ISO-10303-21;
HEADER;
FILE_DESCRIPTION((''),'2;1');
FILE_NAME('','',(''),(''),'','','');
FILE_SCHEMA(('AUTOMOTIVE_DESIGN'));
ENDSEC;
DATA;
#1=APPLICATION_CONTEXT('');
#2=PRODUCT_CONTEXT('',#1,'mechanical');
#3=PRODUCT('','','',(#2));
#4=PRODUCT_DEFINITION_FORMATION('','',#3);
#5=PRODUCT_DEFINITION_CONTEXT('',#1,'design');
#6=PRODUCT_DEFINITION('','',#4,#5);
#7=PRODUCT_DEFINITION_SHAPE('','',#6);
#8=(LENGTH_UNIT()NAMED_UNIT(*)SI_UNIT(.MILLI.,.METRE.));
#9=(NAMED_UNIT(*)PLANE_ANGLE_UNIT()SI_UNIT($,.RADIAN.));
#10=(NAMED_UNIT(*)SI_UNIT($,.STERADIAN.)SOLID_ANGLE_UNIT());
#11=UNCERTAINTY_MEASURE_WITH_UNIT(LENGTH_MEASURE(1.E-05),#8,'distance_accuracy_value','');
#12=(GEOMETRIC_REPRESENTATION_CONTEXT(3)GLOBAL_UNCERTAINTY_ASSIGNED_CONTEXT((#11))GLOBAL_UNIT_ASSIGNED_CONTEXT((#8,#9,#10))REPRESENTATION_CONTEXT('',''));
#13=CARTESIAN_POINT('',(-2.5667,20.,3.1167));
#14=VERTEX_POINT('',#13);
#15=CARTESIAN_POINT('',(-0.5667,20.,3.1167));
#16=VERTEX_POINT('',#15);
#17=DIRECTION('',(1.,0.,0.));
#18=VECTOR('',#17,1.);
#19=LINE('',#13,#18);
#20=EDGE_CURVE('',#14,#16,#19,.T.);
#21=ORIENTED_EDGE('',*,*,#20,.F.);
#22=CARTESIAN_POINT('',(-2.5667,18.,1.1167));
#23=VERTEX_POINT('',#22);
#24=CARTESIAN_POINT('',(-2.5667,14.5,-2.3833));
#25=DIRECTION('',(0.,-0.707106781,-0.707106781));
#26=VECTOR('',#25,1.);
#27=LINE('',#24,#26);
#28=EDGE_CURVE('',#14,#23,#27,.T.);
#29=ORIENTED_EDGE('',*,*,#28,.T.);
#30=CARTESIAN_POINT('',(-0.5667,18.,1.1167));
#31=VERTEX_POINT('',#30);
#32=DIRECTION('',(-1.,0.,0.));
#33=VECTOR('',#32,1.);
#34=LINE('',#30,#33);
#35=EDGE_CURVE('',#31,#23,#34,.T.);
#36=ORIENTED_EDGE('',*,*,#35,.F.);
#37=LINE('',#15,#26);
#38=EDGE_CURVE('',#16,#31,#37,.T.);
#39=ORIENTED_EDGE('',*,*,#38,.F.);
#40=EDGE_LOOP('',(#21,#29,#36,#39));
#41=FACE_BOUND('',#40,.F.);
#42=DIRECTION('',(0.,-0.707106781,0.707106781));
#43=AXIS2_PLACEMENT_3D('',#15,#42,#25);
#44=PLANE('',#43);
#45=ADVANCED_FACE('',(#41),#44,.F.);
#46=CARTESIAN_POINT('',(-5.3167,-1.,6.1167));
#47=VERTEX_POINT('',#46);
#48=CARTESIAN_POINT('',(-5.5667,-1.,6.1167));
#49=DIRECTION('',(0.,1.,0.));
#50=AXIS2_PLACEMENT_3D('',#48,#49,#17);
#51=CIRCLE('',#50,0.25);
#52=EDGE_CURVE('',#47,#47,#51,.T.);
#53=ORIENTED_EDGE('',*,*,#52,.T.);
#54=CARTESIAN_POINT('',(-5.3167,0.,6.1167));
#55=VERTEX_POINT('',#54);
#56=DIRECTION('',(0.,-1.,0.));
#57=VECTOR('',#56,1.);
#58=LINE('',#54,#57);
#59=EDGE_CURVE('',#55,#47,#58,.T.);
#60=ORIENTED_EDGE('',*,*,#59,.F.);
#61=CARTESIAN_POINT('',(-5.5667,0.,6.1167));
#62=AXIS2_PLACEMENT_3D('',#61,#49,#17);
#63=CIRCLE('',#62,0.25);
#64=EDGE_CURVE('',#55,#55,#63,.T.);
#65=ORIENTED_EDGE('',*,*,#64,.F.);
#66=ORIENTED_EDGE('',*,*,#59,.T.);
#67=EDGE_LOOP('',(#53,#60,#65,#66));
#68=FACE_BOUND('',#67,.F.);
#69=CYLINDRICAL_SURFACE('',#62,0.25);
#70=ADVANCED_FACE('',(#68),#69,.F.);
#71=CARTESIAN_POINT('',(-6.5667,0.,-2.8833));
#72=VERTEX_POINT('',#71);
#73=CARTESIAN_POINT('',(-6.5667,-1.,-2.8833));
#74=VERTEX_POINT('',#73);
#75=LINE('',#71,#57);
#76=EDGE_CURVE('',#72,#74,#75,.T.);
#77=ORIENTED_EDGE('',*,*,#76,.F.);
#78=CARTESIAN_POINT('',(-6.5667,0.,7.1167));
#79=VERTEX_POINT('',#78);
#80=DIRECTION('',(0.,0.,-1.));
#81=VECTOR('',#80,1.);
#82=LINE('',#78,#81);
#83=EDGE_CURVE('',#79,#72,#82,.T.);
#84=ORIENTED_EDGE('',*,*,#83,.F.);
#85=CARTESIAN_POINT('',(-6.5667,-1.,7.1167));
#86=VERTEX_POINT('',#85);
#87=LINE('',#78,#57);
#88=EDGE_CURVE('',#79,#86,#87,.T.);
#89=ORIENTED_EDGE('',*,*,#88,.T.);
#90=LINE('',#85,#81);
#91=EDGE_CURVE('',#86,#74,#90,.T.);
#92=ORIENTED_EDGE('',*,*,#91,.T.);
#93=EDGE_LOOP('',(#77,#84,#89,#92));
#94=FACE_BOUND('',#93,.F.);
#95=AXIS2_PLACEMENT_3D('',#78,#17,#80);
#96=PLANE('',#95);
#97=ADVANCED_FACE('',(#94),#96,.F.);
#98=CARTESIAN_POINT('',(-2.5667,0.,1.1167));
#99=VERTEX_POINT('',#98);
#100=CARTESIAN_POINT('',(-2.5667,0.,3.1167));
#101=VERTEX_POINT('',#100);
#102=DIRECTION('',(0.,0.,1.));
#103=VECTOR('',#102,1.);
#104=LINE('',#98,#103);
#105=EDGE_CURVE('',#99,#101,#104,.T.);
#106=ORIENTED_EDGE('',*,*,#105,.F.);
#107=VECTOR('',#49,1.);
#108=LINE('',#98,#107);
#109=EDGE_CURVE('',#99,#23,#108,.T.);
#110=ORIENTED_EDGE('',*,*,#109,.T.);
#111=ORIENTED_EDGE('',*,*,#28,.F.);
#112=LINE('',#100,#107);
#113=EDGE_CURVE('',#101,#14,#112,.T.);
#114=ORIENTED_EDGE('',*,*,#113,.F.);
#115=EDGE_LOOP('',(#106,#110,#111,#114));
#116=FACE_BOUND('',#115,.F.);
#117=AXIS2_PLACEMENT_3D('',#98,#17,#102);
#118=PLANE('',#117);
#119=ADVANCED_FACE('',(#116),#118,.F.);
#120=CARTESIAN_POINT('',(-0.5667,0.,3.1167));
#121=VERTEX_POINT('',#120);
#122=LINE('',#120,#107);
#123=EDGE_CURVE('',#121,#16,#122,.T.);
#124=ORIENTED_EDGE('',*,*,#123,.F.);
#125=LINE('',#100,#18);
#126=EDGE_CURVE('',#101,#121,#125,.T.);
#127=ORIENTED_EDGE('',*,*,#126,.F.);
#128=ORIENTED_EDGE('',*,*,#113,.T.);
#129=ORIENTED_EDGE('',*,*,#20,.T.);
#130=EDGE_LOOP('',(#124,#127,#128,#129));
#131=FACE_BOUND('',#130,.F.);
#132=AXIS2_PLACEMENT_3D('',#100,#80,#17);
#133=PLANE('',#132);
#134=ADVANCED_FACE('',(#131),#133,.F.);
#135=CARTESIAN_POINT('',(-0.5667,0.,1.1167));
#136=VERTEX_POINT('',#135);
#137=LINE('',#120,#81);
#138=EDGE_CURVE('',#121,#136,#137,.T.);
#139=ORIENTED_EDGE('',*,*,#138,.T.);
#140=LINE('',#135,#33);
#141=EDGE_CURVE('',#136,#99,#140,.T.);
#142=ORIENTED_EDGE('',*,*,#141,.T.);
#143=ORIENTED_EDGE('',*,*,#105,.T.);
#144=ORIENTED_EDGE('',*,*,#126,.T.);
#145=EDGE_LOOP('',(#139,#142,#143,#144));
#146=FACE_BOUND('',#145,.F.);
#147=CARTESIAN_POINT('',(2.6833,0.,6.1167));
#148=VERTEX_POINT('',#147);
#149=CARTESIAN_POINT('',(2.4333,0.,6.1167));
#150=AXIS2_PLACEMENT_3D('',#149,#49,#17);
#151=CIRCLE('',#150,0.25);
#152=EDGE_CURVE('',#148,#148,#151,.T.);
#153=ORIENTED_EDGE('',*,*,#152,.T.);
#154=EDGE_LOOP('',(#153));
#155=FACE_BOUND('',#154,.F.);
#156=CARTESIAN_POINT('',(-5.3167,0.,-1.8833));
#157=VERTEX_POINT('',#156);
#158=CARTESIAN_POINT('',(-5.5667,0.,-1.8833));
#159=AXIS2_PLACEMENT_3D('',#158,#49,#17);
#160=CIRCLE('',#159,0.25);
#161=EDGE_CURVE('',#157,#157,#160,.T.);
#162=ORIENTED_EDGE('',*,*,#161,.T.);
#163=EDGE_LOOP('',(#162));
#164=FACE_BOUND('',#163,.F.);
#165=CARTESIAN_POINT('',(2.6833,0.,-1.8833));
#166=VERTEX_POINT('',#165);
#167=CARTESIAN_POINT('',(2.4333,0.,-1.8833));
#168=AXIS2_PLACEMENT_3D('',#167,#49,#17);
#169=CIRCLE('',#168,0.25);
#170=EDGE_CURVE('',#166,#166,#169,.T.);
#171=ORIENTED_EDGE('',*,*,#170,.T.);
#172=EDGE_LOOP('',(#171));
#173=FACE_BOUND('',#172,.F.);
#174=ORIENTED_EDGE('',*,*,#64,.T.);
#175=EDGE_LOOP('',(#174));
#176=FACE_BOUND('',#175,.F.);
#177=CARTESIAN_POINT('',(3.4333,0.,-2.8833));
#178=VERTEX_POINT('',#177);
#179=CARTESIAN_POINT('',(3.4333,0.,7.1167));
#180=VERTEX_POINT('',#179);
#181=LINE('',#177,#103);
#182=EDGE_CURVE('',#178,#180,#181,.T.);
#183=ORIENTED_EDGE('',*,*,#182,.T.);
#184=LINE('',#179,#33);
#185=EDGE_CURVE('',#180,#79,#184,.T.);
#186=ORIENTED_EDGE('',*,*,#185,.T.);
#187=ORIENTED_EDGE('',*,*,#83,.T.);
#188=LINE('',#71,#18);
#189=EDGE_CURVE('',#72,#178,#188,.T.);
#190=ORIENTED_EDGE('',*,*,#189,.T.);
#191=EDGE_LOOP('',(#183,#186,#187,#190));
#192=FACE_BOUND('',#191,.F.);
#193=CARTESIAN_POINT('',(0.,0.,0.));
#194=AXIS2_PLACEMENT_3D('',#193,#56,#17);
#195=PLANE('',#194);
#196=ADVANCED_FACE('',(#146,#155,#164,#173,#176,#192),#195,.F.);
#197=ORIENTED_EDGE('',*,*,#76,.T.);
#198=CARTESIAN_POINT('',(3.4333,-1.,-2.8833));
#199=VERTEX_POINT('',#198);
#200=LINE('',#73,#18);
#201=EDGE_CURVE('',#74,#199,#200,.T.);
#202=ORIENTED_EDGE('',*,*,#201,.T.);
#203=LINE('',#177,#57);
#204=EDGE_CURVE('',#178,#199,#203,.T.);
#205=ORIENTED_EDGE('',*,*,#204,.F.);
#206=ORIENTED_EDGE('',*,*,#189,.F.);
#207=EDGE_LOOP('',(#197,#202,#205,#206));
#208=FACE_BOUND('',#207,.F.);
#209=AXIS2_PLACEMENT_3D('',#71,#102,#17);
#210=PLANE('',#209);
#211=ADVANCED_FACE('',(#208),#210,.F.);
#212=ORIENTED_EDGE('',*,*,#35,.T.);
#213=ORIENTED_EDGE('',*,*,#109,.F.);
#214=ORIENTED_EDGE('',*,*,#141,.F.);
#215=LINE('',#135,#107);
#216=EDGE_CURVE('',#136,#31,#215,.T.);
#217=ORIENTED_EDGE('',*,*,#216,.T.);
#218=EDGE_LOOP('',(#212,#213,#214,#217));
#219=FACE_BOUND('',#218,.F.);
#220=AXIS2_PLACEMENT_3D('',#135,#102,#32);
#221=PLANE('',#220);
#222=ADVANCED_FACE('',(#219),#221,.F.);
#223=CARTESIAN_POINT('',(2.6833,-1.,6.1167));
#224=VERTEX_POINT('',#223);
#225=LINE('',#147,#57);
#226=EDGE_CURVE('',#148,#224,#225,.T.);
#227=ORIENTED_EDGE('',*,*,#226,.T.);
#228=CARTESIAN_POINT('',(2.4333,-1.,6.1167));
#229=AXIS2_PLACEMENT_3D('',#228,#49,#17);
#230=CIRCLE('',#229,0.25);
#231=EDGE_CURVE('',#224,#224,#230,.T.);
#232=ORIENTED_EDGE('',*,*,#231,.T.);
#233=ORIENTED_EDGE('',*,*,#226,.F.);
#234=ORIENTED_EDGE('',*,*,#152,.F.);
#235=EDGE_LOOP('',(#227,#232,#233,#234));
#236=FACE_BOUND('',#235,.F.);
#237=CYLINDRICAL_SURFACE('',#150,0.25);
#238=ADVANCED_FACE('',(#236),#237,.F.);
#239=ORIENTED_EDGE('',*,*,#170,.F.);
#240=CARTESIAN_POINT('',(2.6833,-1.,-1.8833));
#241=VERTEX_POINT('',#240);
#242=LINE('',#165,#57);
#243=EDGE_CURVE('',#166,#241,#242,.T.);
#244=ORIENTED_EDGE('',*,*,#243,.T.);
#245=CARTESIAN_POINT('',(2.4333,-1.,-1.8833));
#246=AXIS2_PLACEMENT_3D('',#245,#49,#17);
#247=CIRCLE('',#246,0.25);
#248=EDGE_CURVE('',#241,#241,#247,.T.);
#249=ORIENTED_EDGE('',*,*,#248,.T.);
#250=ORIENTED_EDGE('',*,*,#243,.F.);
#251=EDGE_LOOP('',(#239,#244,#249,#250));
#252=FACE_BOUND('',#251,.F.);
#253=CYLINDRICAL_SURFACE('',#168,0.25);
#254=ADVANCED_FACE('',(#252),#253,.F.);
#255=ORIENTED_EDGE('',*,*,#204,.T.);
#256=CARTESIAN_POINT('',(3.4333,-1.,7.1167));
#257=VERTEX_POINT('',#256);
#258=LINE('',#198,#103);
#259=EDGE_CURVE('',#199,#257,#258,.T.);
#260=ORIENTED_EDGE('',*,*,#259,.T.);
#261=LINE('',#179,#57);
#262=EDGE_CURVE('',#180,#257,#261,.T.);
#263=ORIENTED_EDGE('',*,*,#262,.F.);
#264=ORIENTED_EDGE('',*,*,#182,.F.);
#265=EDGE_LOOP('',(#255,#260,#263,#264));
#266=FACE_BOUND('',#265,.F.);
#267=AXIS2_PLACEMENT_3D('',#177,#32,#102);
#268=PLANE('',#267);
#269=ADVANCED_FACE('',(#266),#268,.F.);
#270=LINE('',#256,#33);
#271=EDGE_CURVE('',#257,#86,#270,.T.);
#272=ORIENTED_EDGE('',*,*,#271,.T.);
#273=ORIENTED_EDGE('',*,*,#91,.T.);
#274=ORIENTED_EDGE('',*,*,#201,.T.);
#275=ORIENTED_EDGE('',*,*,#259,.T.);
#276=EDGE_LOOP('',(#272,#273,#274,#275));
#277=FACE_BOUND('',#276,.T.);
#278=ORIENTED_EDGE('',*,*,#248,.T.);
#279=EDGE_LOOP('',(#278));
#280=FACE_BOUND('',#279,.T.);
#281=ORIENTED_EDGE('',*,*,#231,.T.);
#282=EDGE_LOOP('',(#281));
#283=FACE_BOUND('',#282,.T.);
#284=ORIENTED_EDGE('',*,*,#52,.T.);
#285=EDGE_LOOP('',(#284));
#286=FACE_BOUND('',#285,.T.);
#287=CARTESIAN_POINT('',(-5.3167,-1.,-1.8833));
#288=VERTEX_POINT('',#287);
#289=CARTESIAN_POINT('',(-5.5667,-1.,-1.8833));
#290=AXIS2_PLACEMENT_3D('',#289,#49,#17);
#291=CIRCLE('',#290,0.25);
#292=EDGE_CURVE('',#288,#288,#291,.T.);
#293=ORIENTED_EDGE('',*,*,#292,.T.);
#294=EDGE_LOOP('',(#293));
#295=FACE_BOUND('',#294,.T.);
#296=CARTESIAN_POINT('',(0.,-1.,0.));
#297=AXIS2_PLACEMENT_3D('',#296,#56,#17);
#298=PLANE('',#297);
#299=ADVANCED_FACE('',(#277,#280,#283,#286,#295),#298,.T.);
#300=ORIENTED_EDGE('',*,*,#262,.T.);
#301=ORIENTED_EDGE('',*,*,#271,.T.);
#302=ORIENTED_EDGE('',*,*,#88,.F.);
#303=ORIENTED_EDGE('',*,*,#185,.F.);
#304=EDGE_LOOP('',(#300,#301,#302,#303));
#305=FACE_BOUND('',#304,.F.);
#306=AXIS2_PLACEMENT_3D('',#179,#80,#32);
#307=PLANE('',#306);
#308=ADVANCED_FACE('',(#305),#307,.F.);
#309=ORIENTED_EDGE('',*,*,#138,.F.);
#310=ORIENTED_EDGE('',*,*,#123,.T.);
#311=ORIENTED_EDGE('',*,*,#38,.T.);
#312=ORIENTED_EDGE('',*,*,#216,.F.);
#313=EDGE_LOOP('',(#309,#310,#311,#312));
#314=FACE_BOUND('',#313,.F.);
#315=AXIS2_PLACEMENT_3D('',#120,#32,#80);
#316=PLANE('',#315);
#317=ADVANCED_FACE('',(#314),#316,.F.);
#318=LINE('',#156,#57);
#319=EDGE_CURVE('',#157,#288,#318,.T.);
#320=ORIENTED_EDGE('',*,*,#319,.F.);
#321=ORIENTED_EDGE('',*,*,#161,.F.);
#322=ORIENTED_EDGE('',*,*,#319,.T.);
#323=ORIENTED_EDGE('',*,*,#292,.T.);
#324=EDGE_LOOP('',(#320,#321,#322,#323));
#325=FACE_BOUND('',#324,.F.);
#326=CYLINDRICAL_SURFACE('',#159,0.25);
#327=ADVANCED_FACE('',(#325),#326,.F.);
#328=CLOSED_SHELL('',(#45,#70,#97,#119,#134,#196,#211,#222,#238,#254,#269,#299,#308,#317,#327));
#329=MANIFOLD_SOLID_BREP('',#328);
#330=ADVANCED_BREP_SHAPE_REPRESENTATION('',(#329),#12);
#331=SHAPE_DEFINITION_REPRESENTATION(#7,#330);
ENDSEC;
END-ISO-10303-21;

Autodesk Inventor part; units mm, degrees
ref_plane "YZ Plane" through (0, 0, 0) normal (1, 0, 0) x (0, 1, 0)
ref_plane "XZ Plane" through (0, 0, 0) normal (0, 1, 0) x (-1, 0, 0)
ref_plane "XY Plane" through (0, 0, 0) normal (0, 0, 1) x (1, 0, 0)
sketch "Sketch2" plane through (0, 0, 0) normal (0, 1, 0) x (-1, 0, 0)
  line L0 (2.5667, 3.1167) -> (0.5667, 3.1167)
  line L1 (0.5667, 3.1167) -> (0.5667, 1.1167)
  line L2 (0.5667, 1.1167) -> (2.5667, 1.1167)
  line L3 (2.5667, 1.1167) -> (2.5667, 3.1167)
  point P0 (0, 0)
  dimension "d5" = 2
  dimension "d6" = 2
extrude "Extrusion1" add sketch "Sketch2" along normal blind 20
sketch "Sketch3" plane through (-0.5667, 0, 3.1167) normal (1, 0, 0) x (0, 0, -1)
  line L0 (0, 20) -> (2, 20) projected
  line L1 (0, 20) -> (2, 18)
  line L2 (2, 0) -> (2, 20) projected
  line L3 (0, 20) -> (2.8284, 20) construction
  point P0 (3.1167, 0)
  dimension "d9" = 45
extrude "Extrusion2" cut sketch "Sketch3" against normal through all
sketch "Sketch4" plane through (0, 0, 0) normal (0, -1, 0) x (1, 0, 0)
  line L0 (3.4333, 7.1167) -> (-6.5667, 7.1167)
  line L1 (-6.5667, 7.1167) -> (-6.5667, -2.8833)
  line L2 (-6.5667, -2.8833) -> (3.4333, -2.8833)
  line L3 (3.4333, -2.8833) -> (3.4333, 7.1167)
  line L4 (-2.5667, 1.1167) -> (-2.5667, 3.1167) projected
  line L5 (-0.5667, 1.1167) -> (-2.5667, 1.1167) projected
  point P0 (0, 0)
  dimension "d12" = 10
  dimension "d13" = 10
  dimension "d14" = 4
  dimension "d15" = 4
extrude "Extrusion3" add sketch "Sketch4" along normal blind 1
sketch "Sketch5" plane through (0, 0, 0) normal (0, 1, 0) x (1, 0, 0)
  circle A0 centre (-5.5667, 1.8833) radius 0.25
  line L0 (-6.5667, -7.1167) -> (-6.5667, 2.8833) projected
  line L1 (3.4333, 2.8833) -> (3.4333, -7.1167) projected
  line L2 (-6.5667, 2.8833) -> (3.4333, 2.8833) projected
  circle A1 centre (-5.5667, -6.1167) radius 0.25
  circle A2 centre (2.4333, 1.8833) radius 0.25
  circle A3 centre (2.4333, -6.1167) radius 0.25
  point P0 (0, 0)
  dimension "d18" = 0.5
  dimension "d20" = 9
  dimension "d22" = 1
  dimension "d25" = 8
  dimension "d28" = 8
extrude "Extrusion4" cut sketch "Sketch5" against normal through all
properties part number "Viewing Mirror Holder"
